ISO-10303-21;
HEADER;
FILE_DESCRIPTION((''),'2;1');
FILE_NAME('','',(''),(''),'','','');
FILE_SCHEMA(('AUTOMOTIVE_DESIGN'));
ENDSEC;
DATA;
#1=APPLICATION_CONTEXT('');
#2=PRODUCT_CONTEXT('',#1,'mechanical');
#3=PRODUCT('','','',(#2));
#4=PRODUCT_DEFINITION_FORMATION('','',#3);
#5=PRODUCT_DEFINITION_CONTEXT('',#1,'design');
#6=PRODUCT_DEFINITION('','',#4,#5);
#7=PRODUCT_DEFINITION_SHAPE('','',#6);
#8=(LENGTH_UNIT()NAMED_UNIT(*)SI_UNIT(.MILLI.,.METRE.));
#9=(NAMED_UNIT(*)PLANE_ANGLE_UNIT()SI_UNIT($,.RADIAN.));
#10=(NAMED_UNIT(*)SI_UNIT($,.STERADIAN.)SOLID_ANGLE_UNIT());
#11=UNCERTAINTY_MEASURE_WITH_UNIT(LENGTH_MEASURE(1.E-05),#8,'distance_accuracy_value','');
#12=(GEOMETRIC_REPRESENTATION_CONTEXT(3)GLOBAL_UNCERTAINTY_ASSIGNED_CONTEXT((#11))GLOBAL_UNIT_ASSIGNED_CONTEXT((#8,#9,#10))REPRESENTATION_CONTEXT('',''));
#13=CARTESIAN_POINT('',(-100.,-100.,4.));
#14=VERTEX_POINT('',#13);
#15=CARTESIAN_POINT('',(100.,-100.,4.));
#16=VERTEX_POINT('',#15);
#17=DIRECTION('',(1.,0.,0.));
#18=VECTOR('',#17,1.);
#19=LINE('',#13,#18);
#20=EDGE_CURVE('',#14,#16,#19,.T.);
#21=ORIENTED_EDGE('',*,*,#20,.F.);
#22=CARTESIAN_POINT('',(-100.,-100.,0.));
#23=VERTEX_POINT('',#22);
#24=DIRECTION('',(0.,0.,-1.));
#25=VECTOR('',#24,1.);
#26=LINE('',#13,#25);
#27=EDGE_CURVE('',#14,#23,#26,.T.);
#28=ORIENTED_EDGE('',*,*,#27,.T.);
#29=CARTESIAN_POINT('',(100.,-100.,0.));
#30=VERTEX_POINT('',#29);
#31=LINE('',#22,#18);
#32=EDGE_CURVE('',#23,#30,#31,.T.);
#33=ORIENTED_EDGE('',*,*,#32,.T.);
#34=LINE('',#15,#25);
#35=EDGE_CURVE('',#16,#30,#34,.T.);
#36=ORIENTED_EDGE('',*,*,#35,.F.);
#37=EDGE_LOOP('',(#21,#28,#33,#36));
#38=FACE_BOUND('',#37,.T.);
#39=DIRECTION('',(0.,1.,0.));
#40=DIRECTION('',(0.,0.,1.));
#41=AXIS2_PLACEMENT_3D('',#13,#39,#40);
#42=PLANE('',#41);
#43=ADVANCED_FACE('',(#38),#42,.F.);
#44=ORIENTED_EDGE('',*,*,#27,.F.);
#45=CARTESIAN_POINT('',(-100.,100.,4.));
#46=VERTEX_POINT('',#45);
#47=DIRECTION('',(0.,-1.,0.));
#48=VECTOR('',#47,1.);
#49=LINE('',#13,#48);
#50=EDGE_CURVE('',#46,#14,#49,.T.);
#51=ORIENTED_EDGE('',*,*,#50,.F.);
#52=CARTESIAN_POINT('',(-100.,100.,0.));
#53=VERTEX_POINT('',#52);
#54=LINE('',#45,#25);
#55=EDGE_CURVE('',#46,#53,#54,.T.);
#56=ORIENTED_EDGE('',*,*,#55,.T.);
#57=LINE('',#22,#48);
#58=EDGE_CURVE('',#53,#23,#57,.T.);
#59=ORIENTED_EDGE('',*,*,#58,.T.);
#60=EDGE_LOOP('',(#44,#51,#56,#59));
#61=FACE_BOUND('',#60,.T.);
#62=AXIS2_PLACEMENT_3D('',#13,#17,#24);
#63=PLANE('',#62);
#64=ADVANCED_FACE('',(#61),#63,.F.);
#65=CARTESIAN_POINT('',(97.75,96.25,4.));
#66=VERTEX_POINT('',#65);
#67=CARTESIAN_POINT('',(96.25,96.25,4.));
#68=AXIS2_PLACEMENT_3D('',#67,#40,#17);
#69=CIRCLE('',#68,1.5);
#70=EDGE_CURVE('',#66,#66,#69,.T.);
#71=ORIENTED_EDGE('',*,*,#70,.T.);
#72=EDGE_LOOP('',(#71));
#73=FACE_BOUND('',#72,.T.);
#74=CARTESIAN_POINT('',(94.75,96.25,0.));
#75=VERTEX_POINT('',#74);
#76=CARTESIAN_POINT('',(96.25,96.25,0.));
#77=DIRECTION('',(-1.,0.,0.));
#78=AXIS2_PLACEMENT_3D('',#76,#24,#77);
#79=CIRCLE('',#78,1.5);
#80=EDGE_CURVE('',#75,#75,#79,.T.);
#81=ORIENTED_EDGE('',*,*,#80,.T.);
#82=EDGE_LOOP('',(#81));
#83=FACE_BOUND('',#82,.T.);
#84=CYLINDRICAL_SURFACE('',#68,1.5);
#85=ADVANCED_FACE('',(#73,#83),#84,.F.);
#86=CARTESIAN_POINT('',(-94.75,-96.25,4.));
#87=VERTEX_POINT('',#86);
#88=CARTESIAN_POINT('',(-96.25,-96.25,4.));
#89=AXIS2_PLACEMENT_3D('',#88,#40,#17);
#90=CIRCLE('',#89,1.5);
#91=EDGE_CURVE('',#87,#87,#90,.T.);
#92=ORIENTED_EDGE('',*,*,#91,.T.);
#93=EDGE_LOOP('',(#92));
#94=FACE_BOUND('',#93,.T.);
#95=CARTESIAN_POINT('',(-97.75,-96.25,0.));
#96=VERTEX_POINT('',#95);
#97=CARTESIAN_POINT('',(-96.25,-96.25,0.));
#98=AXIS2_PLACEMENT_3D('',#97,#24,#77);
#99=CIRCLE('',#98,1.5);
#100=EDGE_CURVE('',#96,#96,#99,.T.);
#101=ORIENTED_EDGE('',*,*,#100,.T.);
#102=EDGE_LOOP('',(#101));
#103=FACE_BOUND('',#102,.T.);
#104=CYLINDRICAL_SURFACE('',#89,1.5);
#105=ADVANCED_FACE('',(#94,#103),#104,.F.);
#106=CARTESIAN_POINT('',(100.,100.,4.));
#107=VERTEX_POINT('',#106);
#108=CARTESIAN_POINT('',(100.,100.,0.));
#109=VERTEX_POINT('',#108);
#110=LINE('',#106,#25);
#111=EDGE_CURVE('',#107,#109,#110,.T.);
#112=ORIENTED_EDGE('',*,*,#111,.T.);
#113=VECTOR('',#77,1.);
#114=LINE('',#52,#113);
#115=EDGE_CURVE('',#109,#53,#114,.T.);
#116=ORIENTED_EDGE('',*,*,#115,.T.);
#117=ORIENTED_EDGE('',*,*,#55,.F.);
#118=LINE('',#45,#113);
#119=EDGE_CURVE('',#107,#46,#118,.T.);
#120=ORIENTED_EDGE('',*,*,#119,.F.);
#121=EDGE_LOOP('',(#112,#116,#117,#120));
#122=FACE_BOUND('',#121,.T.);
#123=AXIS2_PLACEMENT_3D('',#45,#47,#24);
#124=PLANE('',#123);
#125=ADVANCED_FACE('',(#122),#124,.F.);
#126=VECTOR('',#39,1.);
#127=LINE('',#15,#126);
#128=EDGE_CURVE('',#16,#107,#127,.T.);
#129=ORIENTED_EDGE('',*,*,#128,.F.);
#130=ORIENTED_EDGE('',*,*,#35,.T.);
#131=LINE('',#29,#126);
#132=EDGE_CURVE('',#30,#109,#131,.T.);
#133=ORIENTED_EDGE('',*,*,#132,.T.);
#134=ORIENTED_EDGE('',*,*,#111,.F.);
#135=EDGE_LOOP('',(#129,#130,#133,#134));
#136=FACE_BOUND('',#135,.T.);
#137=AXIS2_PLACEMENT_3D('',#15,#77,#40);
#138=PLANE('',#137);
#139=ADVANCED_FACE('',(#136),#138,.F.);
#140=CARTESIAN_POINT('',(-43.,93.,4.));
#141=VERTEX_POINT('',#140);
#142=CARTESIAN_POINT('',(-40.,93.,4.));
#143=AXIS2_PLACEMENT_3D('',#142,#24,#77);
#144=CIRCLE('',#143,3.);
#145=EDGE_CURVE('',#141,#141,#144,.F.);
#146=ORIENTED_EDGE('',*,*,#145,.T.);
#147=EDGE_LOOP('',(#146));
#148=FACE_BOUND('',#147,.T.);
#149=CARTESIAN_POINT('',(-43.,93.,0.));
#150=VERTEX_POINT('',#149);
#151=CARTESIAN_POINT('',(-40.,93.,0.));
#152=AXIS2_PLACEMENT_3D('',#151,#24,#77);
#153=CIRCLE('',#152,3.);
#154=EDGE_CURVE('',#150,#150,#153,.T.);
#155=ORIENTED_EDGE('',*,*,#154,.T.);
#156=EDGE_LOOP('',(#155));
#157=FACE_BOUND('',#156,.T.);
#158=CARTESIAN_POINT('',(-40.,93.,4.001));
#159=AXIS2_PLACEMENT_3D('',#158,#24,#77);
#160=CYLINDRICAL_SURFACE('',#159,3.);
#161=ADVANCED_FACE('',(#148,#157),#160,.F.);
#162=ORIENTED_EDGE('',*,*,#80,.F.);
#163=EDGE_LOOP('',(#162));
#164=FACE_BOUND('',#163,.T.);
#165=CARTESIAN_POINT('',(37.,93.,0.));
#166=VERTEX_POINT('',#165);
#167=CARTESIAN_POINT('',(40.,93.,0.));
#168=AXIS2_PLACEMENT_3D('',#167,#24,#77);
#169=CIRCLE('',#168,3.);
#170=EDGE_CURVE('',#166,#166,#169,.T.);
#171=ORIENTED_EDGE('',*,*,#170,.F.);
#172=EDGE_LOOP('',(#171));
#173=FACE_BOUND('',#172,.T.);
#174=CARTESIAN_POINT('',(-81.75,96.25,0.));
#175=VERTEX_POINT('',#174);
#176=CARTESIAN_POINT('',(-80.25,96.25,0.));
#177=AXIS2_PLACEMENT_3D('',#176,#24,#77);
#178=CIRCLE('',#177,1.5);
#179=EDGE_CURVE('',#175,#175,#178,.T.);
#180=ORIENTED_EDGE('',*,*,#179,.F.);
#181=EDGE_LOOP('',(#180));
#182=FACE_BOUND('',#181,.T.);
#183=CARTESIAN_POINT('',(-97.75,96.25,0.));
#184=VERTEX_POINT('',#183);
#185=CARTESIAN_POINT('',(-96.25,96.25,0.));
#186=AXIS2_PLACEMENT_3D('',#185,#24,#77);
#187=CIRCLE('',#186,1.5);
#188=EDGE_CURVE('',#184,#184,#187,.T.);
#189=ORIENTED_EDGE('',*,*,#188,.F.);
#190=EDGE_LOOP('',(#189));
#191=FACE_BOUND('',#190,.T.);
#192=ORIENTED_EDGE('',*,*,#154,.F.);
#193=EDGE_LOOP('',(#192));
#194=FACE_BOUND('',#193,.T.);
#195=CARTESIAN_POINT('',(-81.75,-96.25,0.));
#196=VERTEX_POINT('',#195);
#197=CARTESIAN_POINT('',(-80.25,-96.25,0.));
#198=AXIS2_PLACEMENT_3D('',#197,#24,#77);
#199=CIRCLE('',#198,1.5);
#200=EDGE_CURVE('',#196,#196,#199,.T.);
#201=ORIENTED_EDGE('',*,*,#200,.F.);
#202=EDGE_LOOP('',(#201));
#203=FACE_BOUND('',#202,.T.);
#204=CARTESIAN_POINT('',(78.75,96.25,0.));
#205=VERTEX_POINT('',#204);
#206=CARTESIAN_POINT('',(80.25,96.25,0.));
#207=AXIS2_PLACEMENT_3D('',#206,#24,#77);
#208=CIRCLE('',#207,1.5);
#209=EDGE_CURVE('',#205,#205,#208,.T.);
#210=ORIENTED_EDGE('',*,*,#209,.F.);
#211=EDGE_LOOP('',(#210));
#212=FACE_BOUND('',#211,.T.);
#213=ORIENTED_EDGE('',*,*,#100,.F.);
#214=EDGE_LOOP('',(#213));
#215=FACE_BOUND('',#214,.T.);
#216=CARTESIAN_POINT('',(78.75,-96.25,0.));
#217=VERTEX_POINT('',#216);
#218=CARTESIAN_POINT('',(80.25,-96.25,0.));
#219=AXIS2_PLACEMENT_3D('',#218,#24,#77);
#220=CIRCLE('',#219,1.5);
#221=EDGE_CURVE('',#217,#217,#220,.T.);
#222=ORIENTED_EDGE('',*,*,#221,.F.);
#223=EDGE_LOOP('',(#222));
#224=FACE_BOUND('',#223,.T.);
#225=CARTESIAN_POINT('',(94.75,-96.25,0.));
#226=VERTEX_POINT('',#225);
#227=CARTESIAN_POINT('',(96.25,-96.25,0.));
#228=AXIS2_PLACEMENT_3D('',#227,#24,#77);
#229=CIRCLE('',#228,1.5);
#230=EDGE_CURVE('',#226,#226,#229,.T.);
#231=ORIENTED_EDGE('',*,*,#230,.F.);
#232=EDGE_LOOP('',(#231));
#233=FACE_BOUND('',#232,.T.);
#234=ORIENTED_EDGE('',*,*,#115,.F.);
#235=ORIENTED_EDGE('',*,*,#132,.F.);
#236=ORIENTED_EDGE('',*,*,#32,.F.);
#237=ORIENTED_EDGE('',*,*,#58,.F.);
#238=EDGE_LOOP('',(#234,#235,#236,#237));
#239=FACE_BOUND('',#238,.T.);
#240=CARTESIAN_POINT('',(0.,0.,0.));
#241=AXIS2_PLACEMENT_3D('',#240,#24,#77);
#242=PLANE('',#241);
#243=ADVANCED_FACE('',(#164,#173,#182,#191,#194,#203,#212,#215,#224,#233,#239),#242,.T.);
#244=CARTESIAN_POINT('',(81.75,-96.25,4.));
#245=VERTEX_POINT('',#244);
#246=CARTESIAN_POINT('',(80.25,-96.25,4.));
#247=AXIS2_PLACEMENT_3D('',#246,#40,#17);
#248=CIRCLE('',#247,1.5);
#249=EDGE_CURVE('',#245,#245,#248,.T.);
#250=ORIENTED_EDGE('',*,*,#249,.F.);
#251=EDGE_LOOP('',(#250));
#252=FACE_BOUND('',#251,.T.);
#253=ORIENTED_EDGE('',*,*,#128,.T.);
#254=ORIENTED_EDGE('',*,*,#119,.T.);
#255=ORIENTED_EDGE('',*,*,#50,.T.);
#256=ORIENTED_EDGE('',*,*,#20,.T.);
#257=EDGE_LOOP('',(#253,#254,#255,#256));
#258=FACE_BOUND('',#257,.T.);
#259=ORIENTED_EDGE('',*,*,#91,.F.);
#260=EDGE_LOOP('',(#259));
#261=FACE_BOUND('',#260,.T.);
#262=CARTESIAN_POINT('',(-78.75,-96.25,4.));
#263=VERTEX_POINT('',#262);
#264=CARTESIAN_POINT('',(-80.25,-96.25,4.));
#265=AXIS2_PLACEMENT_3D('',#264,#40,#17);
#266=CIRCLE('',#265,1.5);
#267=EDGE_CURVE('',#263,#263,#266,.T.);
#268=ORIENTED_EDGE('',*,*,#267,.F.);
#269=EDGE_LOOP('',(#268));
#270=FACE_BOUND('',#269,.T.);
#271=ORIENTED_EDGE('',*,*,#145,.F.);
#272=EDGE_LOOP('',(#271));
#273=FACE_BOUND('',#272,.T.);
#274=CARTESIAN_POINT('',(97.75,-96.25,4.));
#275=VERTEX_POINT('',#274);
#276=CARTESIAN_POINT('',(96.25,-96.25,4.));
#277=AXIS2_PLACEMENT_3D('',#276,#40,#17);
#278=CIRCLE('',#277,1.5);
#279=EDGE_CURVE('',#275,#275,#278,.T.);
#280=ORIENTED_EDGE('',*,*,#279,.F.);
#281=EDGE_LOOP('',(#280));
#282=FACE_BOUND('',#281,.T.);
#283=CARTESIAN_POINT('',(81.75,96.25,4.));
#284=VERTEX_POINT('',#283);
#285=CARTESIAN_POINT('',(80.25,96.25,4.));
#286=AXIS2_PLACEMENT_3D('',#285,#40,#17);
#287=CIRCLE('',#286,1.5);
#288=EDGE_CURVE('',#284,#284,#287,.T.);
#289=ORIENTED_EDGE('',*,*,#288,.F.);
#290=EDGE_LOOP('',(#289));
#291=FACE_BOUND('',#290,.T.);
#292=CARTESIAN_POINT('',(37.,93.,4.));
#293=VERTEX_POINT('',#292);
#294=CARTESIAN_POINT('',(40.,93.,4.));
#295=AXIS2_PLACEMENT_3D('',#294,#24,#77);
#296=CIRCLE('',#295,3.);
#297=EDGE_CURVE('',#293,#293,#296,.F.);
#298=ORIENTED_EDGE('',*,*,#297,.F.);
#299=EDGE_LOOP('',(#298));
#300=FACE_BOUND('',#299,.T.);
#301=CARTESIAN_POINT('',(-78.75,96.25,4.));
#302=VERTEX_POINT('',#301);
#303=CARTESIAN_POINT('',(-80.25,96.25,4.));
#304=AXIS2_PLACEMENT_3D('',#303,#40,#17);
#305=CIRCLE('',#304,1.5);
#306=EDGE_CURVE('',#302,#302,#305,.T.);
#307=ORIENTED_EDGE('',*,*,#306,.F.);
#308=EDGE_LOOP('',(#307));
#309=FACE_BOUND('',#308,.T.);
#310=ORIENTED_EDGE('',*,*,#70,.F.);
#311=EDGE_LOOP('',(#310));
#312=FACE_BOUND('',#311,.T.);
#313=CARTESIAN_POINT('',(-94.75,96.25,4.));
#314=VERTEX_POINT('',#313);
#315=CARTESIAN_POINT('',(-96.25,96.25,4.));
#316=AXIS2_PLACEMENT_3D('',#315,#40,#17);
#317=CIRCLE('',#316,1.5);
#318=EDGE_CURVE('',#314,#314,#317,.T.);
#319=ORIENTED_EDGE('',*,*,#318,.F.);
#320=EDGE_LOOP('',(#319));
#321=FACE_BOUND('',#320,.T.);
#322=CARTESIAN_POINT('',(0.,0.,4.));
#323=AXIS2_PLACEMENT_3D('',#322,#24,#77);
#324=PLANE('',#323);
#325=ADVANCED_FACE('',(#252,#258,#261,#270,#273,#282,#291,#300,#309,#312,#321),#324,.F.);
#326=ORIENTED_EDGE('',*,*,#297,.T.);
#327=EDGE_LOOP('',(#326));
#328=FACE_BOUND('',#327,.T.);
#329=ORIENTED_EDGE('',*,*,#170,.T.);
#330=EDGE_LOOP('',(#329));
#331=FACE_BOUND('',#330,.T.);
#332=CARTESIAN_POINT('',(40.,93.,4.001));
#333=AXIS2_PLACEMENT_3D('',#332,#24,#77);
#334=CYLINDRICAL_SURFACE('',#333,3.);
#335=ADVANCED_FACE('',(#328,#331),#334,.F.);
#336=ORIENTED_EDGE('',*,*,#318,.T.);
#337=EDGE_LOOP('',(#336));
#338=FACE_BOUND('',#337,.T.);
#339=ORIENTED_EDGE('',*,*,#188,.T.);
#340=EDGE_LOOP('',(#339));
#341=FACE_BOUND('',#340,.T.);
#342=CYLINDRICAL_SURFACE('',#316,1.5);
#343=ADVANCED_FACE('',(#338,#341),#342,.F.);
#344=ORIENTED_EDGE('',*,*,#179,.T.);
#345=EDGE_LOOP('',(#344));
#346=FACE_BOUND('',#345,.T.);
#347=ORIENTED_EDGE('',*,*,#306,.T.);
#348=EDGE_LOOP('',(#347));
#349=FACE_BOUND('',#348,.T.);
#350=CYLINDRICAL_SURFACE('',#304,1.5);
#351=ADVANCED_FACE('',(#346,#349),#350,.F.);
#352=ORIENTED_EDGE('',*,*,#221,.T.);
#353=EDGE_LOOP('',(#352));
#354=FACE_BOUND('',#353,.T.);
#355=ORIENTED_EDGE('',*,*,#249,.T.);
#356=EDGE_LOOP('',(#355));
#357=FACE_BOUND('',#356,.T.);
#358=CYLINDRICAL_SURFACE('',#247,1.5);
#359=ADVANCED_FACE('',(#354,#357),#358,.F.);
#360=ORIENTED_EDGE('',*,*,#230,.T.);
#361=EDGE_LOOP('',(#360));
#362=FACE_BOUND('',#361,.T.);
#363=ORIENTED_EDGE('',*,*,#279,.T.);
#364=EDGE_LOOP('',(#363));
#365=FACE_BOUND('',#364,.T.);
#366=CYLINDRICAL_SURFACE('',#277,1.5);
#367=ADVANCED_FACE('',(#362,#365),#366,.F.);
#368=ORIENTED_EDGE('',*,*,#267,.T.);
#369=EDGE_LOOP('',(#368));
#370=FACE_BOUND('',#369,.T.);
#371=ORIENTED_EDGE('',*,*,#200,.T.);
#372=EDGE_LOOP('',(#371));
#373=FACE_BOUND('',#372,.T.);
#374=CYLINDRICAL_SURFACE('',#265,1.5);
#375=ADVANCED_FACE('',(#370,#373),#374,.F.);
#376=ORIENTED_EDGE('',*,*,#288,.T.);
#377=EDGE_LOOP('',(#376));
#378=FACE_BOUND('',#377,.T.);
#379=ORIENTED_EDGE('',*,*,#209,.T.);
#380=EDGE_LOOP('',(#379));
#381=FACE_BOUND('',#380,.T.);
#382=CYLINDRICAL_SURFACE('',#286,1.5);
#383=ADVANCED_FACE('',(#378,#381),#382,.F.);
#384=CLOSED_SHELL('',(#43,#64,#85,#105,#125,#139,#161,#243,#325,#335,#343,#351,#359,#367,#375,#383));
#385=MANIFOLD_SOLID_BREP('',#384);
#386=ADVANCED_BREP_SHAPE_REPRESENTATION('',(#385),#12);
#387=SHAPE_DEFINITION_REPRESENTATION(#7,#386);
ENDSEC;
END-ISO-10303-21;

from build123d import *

# Parameters (mm, degrees)
SKETCH1_W                 = 200
SKETCH1_H                 = 200
BOSS_EXTRUDE1_DEPTH       = 4
F_3_0MM_DOWEL_HOLE1_D     = 3
F_3_0MM_DOWEL_HOLE1_DEPTH = 4.001
MIRROR2_COPY_1_D          = 3
MIRROR2_COPY_1_DEPTH      = 4.001
CUT_EXTRUDE1_REACH        = 6
SKETCH6_R                 = 3


with BuildPart() as part:
    # Sketch1 → Boss-Extrude1 (new body)
    with BuildSketch(Plane.XY):
        Rectangle(SKETCH1_W, SKETCH1_H)
    extrude(amount=BOSS_EXTRUDE1_DEPTH)

    # Ø3.0mm Dowel Hole1
    with Locations(Plane.XY.offset(4)):
        with Locations((-80.25, 96.25), (-96.25, 96.25)):
            f_3_0mm_dowel_hole1 = Hole(F_3_0MM_DOWEL_HOLE1_D / 2, depth=F_3_0MM_DOWEL_HOLE1_DEPTH)

    # Mirror1: Ø3.0mm Dowel Hole1 across plane
    add(f_3_0mm_dowel_hole1.mirror(Plane.ZY), mode=Mode.SUBTRACT)

    # Mirror2: Ø3.0mm Dowel Hole1 across plane
    add(f_3_0mm_dowel_hole1.mirror(Plane.ZX), mode=Mode.SUBTRACT)

    # Mirror2 copy 1
    with Locations(Plane(origin=(0, 0, 4), x_dir=(-1, 0, 0), z_dir=(0, 0, 1))):
        with Locations((-80.25, 96.25), (-96.25, 96.25)):
            Hole(MIRROR2_COPY_1_D / 2, depth=MIRROR2_COPY_1_DEPTH)

    # Sketch6 → Cut-Extrude1 (cut, up to next)
    with BuildSketch(Plane(origin=(0, 0, 0), x_dir=(-1, 0, 0), z_dir=(0, 0, -1)), mode=Mode.PRIVATE) as cut_extrude1_sk1:
        with Locations((-40, 93)):
            Circle(SKETCH6_R)
    cut_extrude1_tool1 = extrude(cut_extrude1_sk1.sketch, amount=-CUT_EXTRUDE1_REACH, mode=Mode.PRIVATE) & part.part
    add(cut_extrude1_tool1.solids().sort_by_distance((40, 93, 0))[0], mode=Mode.SUBTRACT)
    # Sketch6 → Cut-Extrude1 (cut, up to next)
    with BuildSketch(Plane(origin=(0, 0, 0), x_dir=(-1, 0, 0), z_dir=(0, 0, -1)), mode=Mode.PRIVATE) as cut_extrude1_sk2:
        with Locations((40, 93)):
            Circle(SKETCH6_R)
    cut_extrude1_tool2 = extrude(cut_extrude1_sk2.sketch, amount=-CUT_EXTRUDE1_REACH, mode=Mode.PRIVATE) & part.part
    add(cut_extrude1_tool2.solids().sort_by_distance((-40, 93, 0))[0], mode=Mode.SUBTRACT)


solid = part.part
